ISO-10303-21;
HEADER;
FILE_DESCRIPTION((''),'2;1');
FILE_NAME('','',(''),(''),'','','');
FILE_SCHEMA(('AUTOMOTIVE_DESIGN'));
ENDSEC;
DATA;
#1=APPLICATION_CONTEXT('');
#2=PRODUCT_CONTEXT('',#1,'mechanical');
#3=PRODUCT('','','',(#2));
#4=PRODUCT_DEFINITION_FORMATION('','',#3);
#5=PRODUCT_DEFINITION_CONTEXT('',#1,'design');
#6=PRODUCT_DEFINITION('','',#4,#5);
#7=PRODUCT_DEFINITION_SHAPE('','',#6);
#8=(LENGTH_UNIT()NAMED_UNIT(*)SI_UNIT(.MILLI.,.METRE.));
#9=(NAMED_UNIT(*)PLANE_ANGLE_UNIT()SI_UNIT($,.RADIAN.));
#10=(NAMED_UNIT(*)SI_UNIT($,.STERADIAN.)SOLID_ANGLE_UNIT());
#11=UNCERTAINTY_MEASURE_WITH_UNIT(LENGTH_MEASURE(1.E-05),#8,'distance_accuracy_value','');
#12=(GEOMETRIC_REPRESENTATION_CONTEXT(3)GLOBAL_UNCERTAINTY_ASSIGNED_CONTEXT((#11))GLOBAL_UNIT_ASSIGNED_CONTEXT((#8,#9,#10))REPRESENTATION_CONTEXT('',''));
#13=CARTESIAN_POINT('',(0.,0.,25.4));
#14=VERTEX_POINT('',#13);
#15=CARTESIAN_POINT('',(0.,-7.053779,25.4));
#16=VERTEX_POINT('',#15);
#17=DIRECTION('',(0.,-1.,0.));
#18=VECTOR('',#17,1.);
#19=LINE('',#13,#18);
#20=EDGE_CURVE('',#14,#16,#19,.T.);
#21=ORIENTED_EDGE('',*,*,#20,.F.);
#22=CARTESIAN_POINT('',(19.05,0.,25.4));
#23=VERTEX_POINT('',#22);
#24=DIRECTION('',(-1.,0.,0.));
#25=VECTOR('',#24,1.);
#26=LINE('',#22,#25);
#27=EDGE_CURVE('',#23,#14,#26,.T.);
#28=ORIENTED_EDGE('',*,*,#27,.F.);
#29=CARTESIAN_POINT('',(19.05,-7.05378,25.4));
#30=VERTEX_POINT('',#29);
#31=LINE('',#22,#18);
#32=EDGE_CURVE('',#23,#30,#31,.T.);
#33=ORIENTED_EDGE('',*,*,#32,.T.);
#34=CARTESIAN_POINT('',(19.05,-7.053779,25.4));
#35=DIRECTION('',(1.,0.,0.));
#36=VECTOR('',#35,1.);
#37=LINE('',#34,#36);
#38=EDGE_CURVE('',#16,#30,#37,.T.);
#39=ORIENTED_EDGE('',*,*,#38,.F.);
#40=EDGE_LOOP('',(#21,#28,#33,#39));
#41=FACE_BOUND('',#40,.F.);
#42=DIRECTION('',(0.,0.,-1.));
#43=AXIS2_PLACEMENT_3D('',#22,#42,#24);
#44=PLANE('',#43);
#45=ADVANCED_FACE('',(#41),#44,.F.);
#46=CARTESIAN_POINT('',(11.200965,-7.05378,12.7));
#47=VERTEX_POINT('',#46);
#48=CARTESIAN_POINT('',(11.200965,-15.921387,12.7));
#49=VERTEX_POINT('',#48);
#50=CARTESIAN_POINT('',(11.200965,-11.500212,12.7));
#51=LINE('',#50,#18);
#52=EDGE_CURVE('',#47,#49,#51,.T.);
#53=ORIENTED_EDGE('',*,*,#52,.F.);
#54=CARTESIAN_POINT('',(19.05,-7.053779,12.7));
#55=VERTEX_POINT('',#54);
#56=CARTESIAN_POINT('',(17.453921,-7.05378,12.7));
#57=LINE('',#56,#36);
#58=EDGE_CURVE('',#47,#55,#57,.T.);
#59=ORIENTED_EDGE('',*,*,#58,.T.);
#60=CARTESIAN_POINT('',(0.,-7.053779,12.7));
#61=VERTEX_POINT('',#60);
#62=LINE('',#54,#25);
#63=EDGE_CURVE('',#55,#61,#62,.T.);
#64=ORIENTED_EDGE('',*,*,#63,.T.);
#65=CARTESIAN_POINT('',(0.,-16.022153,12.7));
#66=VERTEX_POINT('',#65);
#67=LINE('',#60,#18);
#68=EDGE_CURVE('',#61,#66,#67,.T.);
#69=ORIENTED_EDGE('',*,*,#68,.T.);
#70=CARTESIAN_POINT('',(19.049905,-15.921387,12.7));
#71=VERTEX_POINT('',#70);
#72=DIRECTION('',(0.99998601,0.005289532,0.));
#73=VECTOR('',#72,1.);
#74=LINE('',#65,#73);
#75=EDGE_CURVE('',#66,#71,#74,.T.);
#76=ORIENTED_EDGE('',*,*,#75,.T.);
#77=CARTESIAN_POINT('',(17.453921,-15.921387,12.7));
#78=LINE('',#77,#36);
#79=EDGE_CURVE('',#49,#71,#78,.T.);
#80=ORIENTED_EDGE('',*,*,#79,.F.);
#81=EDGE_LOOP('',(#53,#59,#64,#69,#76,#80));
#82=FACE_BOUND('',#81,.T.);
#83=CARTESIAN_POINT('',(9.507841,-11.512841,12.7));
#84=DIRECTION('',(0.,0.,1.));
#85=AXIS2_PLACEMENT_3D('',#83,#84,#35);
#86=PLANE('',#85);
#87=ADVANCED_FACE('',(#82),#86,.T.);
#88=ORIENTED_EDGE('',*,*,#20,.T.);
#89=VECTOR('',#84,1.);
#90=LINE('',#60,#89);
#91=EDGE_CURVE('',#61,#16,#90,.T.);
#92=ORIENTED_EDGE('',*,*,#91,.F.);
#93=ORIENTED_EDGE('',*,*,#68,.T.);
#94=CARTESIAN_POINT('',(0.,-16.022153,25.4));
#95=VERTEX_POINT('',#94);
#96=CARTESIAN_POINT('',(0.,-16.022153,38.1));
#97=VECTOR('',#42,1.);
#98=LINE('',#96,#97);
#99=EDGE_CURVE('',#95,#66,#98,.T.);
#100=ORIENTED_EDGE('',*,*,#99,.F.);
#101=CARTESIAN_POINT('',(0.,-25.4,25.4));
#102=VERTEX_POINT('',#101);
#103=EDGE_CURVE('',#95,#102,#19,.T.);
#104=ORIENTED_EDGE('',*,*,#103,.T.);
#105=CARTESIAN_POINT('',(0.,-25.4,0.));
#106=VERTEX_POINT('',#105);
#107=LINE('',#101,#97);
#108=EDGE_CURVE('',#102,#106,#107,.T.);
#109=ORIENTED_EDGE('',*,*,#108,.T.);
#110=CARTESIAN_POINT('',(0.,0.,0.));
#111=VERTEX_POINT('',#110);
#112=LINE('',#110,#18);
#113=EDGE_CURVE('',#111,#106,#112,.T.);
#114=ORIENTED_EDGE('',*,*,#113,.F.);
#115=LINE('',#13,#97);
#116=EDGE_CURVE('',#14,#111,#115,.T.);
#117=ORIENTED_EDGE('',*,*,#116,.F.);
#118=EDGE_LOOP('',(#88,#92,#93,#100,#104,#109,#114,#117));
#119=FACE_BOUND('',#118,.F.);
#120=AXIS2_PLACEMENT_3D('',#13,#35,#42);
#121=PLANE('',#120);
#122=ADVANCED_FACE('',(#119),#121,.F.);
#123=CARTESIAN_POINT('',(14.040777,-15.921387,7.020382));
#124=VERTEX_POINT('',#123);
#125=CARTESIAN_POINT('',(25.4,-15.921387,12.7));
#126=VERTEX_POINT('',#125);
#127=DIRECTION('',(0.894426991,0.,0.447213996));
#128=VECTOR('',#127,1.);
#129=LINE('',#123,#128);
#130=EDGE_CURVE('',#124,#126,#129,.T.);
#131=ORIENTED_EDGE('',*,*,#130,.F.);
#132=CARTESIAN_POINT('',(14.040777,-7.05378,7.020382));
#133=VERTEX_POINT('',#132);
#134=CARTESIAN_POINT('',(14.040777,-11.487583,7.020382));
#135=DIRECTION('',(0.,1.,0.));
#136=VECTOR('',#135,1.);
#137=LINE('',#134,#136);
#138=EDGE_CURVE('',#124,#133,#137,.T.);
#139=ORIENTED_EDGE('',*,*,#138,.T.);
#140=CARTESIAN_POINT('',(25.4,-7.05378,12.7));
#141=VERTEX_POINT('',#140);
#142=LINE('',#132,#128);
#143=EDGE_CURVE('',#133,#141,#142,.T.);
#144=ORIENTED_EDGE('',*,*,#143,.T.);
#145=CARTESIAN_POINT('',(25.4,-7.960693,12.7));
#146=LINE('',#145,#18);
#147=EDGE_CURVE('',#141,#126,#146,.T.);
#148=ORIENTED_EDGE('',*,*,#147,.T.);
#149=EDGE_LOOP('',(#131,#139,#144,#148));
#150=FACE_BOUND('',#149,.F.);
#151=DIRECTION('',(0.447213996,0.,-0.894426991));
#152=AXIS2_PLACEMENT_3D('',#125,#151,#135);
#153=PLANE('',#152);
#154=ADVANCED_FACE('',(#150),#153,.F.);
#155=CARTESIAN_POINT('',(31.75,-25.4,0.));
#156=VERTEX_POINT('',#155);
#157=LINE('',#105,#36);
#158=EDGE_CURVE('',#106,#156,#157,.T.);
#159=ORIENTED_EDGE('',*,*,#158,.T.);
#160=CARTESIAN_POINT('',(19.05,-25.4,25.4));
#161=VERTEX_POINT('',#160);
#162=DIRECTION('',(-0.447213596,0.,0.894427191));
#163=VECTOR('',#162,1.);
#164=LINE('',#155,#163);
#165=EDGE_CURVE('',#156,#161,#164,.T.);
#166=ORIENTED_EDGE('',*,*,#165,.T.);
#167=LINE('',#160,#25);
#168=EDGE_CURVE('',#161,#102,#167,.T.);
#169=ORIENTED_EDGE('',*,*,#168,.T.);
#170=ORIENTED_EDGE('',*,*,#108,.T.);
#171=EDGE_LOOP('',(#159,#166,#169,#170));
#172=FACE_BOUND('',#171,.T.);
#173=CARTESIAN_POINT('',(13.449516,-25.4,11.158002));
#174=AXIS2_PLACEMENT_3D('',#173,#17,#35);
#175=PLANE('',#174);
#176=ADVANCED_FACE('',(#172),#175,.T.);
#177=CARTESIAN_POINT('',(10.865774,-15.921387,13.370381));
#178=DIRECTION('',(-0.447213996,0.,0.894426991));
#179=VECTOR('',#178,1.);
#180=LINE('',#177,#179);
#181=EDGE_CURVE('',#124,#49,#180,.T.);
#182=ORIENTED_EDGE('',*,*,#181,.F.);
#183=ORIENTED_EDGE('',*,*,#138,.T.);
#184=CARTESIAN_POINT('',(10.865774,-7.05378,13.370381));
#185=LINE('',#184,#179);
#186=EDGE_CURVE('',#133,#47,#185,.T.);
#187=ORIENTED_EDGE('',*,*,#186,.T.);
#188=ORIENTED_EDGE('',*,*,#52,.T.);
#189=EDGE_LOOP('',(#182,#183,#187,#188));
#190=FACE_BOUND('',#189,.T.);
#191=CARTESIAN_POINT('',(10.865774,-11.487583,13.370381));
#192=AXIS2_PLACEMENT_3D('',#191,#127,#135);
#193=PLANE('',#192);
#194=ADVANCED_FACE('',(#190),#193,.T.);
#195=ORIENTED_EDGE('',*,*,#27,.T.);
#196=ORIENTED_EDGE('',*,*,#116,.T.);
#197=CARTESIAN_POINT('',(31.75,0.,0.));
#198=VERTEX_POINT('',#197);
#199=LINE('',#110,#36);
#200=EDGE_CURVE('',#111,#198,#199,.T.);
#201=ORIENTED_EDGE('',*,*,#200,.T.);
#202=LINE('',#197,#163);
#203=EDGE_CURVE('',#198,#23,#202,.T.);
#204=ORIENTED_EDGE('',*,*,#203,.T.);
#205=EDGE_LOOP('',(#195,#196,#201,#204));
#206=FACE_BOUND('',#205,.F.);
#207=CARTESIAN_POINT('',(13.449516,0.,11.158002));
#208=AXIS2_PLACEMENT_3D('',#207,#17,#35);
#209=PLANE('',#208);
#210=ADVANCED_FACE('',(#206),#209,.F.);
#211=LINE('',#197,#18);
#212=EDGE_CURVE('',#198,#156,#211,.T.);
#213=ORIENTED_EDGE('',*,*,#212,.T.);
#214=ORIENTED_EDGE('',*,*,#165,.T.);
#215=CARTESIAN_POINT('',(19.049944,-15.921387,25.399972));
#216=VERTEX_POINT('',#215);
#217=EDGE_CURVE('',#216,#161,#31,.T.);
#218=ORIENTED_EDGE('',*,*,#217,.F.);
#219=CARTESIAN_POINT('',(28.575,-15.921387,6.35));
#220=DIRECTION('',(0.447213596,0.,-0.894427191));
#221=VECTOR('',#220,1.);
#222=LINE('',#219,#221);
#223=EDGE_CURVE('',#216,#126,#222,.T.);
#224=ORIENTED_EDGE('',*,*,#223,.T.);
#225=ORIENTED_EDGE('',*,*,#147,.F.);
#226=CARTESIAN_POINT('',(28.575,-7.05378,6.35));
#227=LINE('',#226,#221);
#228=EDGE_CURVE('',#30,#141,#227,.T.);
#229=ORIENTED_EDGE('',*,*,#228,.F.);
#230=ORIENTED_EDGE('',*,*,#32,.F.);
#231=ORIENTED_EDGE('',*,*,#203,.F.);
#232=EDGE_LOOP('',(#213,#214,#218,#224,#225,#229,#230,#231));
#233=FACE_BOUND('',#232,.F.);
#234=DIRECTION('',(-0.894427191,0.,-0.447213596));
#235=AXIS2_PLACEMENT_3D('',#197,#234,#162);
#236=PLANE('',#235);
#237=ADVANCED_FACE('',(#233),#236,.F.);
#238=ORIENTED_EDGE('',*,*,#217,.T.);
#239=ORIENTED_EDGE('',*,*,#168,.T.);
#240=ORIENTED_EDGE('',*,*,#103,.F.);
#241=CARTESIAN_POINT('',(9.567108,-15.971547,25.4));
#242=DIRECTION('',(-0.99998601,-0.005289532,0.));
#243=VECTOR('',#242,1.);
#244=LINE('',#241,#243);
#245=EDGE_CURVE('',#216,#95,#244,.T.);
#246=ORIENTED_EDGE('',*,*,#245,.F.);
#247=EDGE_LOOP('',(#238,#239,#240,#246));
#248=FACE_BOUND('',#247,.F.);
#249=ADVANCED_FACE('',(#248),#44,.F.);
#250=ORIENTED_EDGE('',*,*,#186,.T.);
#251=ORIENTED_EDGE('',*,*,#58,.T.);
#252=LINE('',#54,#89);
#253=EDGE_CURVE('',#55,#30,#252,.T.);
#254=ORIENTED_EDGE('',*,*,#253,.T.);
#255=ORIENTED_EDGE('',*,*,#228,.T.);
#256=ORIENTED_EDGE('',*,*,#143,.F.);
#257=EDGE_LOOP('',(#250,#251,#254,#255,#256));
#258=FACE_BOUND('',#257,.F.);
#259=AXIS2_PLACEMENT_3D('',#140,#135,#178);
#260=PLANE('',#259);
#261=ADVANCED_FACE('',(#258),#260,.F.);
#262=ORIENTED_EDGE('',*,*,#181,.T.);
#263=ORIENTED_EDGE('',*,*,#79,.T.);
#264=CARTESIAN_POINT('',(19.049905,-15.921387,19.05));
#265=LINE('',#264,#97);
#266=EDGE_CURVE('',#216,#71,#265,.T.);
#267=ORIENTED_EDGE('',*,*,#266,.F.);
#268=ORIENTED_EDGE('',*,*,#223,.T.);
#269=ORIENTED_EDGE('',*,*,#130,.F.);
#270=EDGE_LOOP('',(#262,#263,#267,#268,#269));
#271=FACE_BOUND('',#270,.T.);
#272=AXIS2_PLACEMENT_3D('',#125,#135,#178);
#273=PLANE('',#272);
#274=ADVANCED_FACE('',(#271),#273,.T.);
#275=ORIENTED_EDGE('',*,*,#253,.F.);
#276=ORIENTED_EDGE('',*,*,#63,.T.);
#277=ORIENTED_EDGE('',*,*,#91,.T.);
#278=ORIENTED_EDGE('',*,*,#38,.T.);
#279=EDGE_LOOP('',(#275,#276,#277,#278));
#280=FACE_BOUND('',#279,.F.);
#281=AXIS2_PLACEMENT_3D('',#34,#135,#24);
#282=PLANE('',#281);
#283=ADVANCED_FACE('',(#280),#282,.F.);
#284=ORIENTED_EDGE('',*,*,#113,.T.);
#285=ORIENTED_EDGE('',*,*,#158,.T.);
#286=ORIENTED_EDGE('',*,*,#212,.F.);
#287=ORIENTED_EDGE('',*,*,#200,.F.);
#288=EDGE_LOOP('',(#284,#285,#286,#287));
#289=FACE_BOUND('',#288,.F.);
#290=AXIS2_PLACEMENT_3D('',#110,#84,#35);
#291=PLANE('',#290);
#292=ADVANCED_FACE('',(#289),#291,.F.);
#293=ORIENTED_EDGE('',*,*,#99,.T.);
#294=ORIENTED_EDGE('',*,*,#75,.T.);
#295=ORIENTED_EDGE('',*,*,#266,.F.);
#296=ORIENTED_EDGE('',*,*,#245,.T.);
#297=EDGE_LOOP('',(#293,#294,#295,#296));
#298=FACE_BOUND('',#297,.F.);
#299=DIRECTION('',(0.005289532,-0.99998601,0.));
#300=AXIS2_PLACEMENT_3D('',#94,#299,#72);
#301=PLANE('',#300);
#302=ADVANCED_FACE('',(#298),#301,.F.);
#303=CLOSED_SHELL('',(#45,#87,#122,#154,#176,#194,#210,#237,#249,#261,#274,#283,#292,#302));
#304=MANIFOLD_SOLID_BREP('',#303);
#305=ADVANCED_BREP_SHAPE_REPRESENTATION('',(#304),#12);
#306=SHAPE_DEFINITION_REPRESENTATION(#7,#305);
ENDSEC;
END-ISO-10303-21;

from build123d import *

# Parameters (mm, degrees)
F1_DEPTH = 25.4
F2_W     = 8.867607
F2_H     = 14.199032
F3_DEPTH = 12.7
F5_DEPTH = 12.7


with BuildPart() as f1:
    # F0 (on Front) → F1 (new body)
    with BuildSketch(Plane.XZ):
        Polygon((0, 25.4), (0, 0), (31.75, 0), (19.05, 25.4), align=None)
    extrude(amount=F1_DEPTH)

    # F2 (on face) → F3 (cut, symmetric)
    with BuildSketch(Plane(origin=(25.4, 0, 12.7), x_dir=(0, 1, 0), z_dir=(0.894427, 0, 0.447214))):
        with Locations((-11.487583, 7.099516)):
            Rectangle(F2_W, F2_H)
    extrude(amount=F3_DEPTH, both=True, mode=Mode.SUBTRACT)

    # F4 (on face) → F5 (cut, symmetric)
    with BuildSketch(Plane.XY.offset(25.4)):
        Polygon((19.05, -15.921386), (19.05, -7.053779), (0, -7.053779), (0, -16.022153), align=None)
    extrude(amount=F5_DEPTH, both=True, mode=Mode.SUBTRACT)


solid = f1.part
